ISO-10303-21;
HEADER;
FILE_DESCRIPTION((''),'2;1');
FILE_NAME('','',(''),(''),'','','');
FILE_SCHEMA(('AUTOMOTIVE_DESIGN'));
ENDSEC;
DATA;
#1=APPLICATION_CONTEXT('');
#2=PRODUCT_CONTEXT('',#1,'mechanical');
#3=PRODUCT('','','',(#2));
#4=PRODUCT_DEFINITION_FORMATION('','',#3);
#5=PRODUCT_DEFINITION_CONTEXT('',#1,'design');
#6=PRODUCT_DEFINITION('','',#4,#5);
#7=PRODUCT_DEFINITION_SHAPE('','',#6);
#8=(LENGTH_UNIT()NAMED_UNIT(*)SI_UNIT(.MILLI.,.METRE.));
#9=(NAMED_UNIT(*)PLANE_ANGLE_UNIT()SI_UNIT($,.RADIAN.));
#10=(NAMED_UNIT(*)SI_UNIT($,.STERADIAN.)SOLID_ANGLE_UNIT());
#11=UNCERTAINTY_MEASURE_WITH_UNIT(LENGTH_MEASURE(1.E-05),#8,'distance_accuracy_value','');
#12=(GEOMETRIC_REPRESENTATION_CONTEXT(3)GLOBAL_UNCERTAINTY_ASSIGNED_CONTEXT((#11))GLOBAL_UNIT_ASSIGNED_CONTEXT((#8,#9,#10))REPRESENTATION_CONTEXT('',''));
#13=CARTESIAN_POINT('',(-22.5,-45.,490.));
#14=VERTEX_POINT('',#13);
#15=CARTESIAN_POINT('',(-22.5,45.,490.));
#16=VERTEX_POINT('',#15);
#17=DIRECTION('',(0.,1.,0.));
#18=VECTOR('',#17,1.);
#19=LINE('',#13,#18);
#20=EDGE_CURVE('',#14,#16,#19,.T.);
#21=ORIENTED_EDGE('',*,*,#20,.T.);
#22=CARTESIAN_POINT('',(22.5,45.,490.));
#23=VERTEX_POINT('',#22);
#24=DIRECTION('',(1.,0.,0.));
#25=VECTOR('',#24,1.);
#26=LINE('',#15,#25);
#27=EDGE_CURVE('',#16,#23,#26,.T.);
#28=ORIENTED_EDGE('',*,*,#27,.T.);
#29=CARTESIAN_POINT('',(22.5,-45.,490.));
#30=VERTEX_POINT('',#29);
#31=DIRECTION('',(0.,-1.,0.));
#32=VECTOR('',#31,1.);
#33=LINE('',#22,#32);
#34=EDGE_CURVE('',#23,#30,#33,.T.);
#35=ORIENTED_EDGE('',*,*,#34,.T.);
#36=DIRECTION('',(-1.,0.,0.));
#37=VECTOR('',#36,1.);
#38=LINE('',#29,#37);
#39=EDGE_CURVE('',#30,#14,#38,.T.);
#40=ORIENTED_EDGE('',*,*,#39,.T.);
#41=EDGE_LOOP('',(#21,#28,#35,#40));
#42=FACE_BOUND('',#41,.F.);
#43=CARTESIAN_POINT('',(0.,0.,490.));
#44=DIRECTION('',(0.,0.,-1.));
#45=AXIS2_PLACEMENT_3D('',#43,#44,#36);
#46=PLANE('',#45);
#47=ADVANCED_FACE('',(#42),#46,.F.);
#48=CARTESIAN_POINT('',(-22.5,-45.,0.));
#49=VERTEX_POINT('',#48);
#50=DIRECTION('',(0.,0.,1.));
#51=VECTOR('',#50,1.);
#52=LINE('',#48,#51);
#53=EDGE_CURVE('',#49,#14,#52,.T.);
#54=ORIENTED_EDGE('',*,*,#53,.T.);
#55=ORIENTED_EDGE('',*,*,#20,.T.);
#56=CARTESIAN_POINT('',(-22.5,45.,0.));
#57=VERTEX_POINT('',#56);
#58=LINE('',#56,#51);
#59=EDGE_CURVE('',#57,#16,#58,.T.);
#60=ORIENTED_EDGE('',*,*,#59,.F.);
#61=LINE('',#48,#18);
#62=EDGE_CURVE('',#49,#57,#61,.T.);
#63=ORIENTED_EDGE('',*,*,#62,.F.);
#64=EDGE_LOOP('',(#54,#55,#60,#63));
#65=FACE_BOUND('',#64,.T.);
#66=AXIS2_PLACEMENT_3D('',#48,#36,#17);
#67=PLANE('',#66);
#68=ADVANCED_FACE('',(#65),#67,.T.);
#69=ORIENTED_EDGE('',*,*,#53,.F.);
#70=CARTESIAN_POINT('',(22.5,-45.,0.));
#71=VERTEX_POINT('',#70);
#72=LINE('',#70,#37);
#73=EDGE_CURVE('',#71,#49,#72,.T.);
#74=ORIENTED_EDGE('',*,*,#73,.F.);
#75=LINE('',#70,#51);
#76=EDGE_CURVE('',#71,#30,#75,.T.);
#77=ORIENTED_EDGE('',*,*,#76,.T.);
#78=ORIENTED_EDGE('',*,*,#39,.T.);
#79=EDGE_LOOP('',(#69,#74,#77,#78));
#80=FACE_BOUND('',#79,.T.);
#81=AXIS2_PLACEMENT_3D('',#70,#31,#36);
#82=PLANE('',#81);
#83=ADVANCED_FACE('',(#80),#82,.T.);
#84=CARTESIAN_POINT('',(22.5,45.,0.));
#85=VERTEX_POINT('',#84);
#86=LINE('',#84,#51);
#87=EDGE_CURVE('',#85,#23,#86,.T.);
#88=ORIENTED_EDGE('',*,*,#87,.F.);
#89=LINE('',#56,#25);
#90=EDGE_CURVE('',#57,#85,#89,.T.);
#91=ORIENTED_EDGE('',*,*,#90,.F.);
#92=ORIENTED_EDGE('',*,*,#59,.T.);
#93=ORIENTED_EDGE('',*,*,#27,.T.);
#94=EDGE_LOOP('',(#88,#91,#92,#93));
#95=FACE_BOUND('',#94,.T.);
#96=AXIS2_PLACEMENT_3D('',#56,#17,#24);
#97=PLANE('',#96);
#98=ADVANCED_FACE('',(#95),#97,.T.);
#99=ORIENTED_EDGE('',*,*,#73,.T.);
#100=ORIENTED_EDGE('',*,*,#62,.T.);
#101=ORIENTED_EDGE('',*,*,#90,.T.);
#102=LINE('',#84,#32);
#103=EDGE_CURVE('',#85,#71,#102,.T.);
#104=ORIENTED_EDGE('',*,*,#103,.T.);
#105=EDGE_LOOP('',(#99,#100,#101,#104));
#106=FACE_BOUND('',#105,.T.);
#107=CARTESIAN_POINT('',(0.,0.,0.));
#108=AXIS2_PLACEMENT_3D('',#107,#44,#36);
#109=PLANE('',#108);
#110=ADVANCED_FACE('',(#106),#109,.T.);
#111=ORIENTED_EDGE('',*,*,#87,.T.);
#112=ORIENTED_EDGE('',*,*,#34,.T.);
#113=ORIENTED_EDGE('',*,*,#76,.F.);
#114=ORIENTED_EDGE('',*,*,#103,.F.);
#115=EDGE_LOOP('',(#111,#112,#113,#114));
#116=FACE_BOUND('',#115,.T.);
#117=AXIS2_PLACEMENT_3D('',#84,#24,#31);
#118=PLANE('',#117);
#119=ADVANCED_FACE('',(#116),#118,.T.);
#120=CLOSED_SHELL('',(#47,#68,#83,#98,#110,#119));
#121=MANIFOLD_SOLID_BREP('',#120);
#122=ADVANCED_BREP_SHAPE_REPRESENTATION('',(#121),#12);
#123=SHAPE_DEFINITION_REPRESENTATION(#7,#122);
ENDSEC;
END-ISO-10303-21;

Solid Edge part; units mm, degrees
sketch "Sketch1" plane through (0, 0, 0) normal (0, 0, -1) x (-1, 0, 0)
  line L0 (-22.5, -45) -> (22.5, -45)
  line L1 (22.5, -45) -> (22.5, 45)
  line L2 (22.5, 45) -> (-22.5, 45)
  line L3 (-22.5, 45) -> (-22.5, -45)
extrude "Protrusion1" add sketch "Sketch1" against normal blind 490
properties material "Wood, Pine"
